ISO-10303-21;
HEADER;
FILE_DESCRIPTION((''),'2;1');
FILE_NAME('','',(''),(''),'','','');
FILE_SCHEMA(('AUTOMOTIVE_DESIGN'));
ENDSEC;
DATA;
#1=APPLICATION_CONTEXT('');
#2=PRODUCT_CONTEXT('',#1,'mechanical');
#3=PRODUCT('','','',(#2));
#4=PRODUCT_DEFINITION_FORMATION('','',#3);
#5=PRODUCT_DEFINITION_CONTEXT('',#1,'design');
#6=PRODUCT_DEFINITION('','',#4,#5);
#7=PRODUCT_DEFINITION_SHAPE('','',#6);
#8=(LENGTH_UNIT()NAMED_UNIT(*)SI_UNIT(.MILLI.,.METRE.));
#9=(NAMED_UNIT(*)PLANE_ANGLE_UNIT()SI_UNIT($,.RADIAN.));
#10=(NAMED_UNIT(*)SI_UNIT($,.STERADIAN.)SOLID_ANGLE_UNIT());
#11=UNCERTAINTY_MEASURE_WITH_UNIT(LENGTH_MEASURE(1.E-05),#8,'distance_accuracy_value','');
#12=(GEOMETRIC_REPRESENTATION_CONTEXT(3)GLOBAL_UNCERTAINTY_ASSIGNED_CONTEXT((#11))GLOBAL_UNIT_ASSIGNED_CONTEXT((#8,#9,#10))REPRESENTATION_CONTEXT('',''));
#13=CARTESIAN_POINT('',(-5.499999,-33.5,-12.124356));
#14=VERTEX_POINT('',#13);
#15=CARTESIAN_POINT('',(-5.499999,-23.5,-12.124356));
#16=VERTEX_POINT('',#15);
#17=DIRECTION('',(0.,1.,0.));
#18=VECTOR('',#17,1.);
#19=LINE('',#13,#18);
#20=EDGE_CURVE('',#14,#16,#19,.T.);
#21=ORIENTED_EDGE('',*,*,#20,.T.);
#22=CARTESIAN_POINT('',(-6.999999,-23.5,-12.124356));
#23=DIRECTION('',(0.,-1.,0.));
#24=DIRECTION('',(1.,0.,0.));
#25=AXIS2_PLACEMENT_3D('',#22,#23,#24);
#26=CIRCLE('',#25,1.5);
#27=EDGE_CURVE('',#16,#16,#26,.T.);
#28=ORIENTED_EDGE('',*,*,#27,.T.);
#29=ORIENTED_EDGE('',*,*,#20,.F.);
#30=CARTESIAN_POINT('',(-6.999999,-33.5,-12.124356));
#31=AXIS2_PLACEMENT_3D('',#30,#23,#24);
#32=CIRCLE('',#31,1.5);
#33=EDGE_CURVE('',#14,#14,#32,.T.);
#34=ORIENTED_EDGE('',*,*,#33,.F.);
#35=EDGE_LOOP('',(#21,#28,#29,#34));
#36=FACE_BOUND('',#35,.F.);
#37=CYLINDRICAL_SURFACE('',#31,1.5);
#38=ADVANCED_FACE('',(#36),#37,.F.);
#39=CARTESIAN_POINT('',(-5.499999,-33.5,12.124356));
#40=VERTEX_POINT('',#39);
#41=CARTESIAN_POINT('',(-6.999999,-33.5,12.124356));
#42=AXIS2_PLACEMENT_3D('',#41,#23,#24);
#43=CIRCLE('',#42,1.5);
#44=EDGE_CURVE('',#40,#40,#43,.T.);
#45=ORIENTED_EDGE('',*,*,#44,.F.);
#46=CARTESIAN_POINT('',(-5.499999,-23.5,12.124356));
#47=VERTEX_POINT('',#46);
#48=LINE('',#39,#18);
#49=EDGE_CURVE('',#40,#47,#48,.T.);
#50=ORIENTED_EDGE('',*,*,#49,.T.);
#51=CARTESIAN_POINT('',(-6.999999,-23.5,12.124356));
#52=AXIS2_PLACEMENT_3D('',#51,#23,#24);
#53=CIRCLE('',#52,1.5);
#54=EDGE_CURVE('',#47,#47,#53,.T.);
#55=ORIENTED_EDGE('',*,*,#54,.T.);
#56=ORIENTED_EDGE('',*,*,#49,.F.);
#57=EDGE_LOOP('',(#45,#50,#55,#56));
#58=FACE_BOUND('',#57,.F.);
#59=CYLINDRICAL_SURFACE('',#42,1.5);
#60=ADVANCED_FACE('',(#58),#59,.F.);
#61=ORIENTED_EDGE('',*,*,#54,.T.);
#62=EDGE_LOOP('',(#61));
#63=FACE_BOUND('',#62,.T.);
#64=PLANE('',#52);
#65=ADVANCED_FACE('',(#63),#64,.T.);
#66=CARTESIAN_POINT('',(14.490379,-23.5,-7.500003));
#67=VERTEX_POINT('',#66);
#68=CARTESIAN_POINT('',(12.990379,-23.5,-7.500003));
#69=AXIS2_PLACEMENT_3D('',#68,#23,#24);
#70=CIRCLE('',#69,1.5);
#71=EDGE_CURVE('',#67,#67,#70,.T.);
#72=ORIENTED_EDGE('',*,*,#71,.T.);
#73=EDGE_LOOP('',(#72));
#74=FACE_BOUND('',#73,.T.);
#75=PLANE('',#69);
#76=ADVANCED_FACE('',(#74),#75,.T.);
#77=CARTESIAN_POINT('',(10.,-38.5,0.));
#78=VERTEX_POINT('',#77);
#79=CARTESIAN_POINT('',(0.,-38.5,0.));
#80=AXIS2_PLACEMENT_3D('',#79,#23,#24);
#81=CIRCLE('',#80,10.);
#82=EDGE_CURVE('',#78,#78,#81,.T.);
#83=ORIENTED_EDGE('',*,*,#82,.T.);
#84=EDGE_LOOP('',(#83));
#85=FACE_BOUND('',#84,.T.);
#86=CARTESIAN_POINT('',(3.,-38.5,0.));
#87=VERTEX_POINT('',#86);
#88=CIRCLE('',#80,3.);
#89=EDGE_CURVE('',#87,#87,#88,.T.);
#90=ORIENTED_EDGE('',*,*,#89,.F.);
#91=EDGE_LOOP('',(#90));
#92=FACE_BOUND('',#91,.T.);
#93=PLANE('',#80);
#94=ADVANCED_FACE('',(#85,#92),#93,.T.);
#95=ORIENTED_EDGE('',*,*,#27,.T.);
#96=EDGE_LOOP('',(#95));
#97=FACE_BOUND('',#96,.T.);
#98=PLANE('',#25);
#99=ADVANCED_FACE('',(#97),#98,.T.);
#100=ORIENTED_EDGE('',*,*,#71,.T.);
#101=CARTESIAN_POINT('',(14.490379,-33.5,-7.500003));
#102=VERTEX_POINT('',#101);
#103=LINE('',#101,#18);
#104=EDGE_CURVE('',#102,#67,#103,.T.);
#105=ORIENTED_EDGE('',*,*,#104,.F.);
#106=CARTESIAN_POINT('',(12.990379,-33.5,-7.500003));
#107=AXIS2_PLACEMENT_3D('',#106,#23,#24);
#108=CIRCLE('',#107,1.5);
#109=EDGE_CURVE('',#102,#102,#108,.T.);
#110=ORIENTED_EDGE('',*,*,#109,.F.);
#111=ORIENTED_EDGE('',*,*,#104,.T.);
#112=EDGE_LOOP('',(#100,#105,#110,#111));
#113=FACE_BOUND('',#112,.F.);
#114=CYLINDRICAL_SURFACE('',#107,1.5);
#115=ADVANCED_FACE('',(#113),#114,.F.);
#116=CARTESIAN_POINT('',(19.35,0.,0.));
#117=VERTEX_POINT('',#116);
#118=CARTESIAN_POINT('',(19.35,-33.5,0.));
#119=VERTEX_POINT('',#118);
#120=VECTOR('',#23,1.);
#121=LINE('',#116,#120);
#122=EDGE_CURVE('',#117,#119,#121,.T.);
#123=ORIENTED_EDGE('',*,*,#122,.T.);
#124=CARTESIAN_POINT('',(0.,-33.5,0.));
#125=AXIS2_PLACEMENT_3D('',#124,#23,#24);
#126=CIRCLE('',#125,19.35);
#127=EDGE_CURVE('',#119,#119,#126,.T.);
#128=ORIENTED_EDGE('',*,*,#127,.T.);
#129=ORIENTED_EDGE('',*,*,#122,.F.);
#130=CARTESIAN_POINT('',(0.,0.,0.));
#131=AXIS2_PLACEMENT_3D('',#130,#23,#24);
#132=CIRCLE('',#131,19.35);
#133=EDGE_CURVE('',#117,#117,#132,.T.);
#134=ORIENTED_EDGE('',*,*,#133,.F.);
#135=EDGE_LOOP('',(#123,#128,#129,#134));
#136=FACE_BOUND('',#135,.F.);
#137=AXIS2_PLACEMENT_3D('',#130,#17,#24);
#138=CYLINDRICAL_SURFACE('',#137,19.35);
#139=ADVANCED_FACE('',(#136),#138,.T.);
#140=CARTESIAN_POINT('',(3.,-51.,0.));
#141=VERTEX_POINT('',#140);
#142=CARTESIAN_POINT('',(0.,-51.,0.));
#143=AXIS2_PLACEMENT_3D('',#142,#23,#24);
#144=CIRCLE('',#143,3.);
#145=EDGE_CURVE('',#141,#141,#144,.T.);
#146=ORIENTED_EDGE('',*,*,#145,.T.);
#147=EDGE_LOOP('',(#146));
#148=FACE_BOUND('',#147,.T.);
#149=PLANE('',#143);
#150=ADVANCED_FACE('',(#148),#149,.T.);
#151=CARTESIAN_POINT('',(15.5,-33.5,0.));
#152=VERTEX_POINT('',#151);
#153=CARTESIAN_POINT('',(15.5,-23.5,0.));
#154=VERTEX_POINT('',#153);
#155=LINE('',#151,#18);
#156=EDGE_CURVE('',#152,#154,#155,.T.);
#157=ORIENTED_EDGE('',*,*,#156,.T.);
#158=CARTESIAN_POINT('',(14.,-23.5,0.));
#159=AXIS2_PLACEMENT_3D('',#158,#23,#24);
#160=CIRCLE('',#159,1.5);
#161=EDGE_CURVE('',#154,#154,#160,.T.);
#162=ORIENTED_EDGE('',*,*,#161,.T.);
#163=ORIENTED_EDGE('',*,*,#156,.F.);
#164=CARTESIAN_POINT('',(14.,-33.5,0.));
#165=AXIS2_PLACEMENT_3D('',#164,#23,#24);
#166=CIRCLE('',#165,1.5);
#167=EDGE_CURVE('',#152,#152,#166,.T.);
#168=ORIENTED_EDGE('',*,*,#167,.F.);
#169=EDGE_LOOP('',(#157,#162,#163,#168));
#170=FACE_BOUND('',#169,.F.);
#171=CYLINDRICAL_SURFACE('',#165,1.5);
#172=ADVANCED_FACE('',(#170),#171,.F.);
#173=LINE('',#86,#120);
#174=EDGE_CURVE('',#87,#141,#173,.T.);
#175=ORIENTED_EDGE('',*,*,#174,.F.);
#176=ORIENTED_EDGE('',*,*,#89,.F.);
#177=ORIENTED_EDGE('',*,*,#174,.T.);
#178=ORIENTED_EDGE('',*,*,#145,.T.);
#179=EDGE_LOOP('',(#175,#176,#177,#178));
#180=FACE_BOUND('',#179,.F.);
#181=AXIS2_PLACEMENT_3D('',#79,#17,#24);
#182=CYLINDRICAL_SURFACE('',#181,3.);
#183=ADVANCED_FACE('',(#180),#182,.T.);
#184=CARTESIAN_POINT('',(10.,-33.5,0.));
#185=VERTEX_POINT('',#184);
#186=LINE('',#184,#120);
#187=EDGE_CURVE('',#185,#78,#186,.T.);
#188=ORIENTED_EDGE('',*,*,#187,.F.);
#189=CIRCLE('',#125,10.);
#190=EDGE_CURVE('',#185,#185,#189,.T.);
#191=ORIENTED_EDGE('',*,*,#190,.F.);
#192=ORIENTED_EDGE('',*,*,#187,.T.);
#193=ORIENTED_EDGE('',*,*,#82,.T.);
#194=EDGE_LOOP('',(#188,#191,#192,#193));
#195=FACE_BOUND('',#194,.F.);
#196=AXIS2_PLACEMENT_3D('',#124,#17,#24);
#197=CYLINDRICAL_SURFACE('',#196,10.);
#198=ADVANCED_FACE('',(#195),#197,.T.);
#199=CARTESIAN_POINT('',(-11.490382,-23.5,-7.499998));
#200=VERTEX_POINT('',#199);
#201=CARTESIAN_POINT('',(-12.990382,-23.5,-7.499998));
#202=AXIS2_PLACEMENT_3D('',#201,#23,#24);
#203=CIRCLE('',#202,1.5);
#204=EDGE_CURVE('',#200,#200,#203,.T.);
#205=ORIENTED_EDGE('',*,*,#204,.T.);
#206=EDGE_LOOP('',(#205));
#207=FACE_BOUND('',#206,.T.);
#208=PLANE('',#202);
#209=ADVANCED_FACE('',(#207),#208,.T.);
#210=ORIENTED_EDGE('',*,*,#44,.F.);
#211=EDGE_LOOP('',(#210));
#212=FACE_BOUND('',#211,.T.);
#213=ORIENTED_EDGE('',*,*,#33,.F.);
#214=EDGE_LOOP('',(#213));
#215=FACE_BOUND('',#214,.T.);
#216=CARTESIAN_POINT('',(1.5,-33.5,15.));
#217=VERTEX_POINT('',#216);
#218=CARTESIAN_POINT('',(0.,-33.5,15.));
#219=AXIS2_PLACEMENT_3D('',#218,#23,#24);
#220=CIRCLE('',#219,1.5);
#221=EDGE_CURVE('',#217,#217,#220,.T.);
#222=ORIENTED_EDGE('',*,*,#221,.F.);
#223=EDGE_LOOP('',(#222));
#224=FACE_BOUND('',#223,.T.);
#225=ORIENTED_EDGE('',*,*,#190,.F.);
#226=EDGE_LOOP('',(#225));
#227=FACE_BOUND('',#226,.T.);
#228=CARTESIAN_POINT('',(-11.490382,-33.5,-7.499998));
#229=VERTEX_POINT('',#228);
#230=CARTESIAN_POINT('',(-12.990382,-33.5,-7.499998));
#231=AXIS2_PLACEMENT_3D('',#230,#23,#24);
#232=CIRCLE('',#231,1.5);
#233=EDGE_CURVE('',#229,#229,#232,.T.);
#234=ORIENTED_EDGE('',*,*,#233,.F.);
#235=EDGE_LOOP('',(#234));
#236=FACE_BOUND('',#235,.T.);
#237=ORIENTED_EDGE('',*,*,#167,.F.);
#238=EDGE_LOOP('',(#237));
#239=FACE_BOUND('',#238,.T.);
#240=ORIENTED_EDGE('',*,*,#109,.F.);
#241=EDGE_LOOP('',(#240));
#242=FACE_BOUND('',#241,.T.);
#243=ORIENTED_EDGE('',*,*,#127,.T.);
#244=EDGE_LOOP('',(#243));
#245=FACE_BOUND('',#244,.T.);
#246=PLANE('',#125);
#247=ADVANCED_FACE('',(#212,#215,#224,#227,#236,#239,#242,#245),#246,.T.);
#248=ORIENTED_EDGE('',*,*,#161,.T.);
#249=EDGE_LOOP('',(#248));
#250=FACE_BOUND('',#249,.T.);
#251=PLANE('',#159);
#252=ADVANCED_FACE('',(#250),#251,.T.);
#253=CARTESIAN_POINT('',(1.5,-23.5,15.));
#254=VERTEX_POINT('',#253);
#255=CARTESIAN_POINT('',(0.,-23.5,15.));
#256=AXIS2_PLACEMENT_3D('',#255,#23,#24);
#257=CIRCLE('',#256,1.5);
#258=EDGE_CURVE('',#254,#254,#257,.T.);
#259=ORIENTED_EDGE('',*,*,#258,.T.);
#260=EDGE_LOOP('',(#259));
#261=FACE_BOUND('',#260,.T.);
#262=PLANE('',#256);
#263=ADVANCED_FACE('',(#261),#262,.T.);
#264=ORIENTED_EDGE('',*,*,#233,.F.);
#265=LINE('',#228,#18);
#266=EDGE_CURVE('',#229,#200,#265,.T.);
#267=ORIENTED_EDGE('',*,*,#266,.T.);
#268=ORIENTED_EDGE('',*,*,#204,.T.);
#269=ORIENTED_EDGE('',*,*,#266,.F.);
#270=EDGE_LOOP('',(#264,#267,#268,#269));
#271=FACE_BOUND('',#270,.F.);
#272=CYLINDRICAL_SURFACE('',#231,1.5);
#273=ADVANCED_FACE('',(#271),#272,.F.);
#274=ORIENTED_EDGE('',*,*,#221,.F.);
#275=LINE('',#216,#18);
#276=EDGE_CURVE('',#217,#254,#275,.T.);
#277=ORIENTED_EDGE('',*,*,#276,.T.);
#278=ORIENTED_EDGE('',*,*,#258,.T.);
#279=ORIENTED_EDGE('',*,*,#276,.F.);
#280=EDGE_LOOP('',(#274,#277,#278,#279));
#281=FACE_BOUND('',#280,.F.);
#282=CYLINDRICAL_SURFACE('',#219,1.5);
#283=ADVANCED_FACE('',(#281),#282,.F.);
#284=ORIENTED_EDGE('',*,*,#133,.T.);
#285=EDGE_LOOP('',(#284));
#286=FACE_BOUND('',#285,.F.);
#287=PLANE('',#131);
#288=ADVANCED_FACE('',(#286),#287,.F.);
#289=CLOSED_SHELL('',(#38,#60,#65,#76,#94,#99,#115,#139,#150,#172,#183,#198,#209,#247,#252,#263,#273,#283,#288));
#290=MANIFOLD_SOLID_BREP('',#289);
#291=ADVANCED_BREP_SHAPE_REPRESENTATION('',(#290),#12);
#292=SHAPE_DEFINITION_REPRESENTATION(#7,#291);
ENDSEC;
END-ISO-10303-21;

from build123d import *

# Parameters (mm, degrees)
SKETCH_R     = 19.35
PAD_DEPTH    = 33.5
SKETCH001_R  = 10
PAD001_DEPTH = 5
SKETCH002_R  = 3
PAD002_DEPTH = 12.5
SKETCH003_R  = 1.5
POCKET_DEPTH = 10


with BuildPart() as part:
    # Sketch → Pad (new body)
    with BuildSketch(Plane.XZ):
        Circle(SKETCH_R)
    extrude(amount=PAD_DEPTH)

    # Sketch001 (on Face3 of Pad) → Pad001 (join)
    with BuildSketch(Plane.XZ.offset(33.5)):
        Circle(SKETCH001_R)
    extrude(amount=PAD001_DEPTH)

    # Sketch002 (on Face5 of Pad001) → Pad002 (join)
    with BuildSketch(Plane.XZ.offset(38.5)):
        Circle(SKETCH002_R)
    extrude(amount=PAD002_DEPTH)

    # Sketch003 (on Face3 of Pad002) → Pocket (cut)
    with BuildSketch(Plane.XZ.offset(33.5)):
        with Locations((14, 0)):
            Circle(SKETCH003_R)
        with Locations((-12.990382, -7.499998)):
            Circle(SKETCH003_R)
        with Locations((-6.999999, -12.124356)):
            Circle(SKETCH003_R)
        with Locations((12.990379, -7.500003)):
            Circle(SKETCH003_R)
        with Locations((0, 15)):
            Circle(SKETCH003_R)
        with Locations((-6.999999, 12.124356)):
            Circle(SKETCH003_R)
    extrude(amount=-POCKET_DEPTH, mode=Mode.SUBTRACT)


solid = part.part
